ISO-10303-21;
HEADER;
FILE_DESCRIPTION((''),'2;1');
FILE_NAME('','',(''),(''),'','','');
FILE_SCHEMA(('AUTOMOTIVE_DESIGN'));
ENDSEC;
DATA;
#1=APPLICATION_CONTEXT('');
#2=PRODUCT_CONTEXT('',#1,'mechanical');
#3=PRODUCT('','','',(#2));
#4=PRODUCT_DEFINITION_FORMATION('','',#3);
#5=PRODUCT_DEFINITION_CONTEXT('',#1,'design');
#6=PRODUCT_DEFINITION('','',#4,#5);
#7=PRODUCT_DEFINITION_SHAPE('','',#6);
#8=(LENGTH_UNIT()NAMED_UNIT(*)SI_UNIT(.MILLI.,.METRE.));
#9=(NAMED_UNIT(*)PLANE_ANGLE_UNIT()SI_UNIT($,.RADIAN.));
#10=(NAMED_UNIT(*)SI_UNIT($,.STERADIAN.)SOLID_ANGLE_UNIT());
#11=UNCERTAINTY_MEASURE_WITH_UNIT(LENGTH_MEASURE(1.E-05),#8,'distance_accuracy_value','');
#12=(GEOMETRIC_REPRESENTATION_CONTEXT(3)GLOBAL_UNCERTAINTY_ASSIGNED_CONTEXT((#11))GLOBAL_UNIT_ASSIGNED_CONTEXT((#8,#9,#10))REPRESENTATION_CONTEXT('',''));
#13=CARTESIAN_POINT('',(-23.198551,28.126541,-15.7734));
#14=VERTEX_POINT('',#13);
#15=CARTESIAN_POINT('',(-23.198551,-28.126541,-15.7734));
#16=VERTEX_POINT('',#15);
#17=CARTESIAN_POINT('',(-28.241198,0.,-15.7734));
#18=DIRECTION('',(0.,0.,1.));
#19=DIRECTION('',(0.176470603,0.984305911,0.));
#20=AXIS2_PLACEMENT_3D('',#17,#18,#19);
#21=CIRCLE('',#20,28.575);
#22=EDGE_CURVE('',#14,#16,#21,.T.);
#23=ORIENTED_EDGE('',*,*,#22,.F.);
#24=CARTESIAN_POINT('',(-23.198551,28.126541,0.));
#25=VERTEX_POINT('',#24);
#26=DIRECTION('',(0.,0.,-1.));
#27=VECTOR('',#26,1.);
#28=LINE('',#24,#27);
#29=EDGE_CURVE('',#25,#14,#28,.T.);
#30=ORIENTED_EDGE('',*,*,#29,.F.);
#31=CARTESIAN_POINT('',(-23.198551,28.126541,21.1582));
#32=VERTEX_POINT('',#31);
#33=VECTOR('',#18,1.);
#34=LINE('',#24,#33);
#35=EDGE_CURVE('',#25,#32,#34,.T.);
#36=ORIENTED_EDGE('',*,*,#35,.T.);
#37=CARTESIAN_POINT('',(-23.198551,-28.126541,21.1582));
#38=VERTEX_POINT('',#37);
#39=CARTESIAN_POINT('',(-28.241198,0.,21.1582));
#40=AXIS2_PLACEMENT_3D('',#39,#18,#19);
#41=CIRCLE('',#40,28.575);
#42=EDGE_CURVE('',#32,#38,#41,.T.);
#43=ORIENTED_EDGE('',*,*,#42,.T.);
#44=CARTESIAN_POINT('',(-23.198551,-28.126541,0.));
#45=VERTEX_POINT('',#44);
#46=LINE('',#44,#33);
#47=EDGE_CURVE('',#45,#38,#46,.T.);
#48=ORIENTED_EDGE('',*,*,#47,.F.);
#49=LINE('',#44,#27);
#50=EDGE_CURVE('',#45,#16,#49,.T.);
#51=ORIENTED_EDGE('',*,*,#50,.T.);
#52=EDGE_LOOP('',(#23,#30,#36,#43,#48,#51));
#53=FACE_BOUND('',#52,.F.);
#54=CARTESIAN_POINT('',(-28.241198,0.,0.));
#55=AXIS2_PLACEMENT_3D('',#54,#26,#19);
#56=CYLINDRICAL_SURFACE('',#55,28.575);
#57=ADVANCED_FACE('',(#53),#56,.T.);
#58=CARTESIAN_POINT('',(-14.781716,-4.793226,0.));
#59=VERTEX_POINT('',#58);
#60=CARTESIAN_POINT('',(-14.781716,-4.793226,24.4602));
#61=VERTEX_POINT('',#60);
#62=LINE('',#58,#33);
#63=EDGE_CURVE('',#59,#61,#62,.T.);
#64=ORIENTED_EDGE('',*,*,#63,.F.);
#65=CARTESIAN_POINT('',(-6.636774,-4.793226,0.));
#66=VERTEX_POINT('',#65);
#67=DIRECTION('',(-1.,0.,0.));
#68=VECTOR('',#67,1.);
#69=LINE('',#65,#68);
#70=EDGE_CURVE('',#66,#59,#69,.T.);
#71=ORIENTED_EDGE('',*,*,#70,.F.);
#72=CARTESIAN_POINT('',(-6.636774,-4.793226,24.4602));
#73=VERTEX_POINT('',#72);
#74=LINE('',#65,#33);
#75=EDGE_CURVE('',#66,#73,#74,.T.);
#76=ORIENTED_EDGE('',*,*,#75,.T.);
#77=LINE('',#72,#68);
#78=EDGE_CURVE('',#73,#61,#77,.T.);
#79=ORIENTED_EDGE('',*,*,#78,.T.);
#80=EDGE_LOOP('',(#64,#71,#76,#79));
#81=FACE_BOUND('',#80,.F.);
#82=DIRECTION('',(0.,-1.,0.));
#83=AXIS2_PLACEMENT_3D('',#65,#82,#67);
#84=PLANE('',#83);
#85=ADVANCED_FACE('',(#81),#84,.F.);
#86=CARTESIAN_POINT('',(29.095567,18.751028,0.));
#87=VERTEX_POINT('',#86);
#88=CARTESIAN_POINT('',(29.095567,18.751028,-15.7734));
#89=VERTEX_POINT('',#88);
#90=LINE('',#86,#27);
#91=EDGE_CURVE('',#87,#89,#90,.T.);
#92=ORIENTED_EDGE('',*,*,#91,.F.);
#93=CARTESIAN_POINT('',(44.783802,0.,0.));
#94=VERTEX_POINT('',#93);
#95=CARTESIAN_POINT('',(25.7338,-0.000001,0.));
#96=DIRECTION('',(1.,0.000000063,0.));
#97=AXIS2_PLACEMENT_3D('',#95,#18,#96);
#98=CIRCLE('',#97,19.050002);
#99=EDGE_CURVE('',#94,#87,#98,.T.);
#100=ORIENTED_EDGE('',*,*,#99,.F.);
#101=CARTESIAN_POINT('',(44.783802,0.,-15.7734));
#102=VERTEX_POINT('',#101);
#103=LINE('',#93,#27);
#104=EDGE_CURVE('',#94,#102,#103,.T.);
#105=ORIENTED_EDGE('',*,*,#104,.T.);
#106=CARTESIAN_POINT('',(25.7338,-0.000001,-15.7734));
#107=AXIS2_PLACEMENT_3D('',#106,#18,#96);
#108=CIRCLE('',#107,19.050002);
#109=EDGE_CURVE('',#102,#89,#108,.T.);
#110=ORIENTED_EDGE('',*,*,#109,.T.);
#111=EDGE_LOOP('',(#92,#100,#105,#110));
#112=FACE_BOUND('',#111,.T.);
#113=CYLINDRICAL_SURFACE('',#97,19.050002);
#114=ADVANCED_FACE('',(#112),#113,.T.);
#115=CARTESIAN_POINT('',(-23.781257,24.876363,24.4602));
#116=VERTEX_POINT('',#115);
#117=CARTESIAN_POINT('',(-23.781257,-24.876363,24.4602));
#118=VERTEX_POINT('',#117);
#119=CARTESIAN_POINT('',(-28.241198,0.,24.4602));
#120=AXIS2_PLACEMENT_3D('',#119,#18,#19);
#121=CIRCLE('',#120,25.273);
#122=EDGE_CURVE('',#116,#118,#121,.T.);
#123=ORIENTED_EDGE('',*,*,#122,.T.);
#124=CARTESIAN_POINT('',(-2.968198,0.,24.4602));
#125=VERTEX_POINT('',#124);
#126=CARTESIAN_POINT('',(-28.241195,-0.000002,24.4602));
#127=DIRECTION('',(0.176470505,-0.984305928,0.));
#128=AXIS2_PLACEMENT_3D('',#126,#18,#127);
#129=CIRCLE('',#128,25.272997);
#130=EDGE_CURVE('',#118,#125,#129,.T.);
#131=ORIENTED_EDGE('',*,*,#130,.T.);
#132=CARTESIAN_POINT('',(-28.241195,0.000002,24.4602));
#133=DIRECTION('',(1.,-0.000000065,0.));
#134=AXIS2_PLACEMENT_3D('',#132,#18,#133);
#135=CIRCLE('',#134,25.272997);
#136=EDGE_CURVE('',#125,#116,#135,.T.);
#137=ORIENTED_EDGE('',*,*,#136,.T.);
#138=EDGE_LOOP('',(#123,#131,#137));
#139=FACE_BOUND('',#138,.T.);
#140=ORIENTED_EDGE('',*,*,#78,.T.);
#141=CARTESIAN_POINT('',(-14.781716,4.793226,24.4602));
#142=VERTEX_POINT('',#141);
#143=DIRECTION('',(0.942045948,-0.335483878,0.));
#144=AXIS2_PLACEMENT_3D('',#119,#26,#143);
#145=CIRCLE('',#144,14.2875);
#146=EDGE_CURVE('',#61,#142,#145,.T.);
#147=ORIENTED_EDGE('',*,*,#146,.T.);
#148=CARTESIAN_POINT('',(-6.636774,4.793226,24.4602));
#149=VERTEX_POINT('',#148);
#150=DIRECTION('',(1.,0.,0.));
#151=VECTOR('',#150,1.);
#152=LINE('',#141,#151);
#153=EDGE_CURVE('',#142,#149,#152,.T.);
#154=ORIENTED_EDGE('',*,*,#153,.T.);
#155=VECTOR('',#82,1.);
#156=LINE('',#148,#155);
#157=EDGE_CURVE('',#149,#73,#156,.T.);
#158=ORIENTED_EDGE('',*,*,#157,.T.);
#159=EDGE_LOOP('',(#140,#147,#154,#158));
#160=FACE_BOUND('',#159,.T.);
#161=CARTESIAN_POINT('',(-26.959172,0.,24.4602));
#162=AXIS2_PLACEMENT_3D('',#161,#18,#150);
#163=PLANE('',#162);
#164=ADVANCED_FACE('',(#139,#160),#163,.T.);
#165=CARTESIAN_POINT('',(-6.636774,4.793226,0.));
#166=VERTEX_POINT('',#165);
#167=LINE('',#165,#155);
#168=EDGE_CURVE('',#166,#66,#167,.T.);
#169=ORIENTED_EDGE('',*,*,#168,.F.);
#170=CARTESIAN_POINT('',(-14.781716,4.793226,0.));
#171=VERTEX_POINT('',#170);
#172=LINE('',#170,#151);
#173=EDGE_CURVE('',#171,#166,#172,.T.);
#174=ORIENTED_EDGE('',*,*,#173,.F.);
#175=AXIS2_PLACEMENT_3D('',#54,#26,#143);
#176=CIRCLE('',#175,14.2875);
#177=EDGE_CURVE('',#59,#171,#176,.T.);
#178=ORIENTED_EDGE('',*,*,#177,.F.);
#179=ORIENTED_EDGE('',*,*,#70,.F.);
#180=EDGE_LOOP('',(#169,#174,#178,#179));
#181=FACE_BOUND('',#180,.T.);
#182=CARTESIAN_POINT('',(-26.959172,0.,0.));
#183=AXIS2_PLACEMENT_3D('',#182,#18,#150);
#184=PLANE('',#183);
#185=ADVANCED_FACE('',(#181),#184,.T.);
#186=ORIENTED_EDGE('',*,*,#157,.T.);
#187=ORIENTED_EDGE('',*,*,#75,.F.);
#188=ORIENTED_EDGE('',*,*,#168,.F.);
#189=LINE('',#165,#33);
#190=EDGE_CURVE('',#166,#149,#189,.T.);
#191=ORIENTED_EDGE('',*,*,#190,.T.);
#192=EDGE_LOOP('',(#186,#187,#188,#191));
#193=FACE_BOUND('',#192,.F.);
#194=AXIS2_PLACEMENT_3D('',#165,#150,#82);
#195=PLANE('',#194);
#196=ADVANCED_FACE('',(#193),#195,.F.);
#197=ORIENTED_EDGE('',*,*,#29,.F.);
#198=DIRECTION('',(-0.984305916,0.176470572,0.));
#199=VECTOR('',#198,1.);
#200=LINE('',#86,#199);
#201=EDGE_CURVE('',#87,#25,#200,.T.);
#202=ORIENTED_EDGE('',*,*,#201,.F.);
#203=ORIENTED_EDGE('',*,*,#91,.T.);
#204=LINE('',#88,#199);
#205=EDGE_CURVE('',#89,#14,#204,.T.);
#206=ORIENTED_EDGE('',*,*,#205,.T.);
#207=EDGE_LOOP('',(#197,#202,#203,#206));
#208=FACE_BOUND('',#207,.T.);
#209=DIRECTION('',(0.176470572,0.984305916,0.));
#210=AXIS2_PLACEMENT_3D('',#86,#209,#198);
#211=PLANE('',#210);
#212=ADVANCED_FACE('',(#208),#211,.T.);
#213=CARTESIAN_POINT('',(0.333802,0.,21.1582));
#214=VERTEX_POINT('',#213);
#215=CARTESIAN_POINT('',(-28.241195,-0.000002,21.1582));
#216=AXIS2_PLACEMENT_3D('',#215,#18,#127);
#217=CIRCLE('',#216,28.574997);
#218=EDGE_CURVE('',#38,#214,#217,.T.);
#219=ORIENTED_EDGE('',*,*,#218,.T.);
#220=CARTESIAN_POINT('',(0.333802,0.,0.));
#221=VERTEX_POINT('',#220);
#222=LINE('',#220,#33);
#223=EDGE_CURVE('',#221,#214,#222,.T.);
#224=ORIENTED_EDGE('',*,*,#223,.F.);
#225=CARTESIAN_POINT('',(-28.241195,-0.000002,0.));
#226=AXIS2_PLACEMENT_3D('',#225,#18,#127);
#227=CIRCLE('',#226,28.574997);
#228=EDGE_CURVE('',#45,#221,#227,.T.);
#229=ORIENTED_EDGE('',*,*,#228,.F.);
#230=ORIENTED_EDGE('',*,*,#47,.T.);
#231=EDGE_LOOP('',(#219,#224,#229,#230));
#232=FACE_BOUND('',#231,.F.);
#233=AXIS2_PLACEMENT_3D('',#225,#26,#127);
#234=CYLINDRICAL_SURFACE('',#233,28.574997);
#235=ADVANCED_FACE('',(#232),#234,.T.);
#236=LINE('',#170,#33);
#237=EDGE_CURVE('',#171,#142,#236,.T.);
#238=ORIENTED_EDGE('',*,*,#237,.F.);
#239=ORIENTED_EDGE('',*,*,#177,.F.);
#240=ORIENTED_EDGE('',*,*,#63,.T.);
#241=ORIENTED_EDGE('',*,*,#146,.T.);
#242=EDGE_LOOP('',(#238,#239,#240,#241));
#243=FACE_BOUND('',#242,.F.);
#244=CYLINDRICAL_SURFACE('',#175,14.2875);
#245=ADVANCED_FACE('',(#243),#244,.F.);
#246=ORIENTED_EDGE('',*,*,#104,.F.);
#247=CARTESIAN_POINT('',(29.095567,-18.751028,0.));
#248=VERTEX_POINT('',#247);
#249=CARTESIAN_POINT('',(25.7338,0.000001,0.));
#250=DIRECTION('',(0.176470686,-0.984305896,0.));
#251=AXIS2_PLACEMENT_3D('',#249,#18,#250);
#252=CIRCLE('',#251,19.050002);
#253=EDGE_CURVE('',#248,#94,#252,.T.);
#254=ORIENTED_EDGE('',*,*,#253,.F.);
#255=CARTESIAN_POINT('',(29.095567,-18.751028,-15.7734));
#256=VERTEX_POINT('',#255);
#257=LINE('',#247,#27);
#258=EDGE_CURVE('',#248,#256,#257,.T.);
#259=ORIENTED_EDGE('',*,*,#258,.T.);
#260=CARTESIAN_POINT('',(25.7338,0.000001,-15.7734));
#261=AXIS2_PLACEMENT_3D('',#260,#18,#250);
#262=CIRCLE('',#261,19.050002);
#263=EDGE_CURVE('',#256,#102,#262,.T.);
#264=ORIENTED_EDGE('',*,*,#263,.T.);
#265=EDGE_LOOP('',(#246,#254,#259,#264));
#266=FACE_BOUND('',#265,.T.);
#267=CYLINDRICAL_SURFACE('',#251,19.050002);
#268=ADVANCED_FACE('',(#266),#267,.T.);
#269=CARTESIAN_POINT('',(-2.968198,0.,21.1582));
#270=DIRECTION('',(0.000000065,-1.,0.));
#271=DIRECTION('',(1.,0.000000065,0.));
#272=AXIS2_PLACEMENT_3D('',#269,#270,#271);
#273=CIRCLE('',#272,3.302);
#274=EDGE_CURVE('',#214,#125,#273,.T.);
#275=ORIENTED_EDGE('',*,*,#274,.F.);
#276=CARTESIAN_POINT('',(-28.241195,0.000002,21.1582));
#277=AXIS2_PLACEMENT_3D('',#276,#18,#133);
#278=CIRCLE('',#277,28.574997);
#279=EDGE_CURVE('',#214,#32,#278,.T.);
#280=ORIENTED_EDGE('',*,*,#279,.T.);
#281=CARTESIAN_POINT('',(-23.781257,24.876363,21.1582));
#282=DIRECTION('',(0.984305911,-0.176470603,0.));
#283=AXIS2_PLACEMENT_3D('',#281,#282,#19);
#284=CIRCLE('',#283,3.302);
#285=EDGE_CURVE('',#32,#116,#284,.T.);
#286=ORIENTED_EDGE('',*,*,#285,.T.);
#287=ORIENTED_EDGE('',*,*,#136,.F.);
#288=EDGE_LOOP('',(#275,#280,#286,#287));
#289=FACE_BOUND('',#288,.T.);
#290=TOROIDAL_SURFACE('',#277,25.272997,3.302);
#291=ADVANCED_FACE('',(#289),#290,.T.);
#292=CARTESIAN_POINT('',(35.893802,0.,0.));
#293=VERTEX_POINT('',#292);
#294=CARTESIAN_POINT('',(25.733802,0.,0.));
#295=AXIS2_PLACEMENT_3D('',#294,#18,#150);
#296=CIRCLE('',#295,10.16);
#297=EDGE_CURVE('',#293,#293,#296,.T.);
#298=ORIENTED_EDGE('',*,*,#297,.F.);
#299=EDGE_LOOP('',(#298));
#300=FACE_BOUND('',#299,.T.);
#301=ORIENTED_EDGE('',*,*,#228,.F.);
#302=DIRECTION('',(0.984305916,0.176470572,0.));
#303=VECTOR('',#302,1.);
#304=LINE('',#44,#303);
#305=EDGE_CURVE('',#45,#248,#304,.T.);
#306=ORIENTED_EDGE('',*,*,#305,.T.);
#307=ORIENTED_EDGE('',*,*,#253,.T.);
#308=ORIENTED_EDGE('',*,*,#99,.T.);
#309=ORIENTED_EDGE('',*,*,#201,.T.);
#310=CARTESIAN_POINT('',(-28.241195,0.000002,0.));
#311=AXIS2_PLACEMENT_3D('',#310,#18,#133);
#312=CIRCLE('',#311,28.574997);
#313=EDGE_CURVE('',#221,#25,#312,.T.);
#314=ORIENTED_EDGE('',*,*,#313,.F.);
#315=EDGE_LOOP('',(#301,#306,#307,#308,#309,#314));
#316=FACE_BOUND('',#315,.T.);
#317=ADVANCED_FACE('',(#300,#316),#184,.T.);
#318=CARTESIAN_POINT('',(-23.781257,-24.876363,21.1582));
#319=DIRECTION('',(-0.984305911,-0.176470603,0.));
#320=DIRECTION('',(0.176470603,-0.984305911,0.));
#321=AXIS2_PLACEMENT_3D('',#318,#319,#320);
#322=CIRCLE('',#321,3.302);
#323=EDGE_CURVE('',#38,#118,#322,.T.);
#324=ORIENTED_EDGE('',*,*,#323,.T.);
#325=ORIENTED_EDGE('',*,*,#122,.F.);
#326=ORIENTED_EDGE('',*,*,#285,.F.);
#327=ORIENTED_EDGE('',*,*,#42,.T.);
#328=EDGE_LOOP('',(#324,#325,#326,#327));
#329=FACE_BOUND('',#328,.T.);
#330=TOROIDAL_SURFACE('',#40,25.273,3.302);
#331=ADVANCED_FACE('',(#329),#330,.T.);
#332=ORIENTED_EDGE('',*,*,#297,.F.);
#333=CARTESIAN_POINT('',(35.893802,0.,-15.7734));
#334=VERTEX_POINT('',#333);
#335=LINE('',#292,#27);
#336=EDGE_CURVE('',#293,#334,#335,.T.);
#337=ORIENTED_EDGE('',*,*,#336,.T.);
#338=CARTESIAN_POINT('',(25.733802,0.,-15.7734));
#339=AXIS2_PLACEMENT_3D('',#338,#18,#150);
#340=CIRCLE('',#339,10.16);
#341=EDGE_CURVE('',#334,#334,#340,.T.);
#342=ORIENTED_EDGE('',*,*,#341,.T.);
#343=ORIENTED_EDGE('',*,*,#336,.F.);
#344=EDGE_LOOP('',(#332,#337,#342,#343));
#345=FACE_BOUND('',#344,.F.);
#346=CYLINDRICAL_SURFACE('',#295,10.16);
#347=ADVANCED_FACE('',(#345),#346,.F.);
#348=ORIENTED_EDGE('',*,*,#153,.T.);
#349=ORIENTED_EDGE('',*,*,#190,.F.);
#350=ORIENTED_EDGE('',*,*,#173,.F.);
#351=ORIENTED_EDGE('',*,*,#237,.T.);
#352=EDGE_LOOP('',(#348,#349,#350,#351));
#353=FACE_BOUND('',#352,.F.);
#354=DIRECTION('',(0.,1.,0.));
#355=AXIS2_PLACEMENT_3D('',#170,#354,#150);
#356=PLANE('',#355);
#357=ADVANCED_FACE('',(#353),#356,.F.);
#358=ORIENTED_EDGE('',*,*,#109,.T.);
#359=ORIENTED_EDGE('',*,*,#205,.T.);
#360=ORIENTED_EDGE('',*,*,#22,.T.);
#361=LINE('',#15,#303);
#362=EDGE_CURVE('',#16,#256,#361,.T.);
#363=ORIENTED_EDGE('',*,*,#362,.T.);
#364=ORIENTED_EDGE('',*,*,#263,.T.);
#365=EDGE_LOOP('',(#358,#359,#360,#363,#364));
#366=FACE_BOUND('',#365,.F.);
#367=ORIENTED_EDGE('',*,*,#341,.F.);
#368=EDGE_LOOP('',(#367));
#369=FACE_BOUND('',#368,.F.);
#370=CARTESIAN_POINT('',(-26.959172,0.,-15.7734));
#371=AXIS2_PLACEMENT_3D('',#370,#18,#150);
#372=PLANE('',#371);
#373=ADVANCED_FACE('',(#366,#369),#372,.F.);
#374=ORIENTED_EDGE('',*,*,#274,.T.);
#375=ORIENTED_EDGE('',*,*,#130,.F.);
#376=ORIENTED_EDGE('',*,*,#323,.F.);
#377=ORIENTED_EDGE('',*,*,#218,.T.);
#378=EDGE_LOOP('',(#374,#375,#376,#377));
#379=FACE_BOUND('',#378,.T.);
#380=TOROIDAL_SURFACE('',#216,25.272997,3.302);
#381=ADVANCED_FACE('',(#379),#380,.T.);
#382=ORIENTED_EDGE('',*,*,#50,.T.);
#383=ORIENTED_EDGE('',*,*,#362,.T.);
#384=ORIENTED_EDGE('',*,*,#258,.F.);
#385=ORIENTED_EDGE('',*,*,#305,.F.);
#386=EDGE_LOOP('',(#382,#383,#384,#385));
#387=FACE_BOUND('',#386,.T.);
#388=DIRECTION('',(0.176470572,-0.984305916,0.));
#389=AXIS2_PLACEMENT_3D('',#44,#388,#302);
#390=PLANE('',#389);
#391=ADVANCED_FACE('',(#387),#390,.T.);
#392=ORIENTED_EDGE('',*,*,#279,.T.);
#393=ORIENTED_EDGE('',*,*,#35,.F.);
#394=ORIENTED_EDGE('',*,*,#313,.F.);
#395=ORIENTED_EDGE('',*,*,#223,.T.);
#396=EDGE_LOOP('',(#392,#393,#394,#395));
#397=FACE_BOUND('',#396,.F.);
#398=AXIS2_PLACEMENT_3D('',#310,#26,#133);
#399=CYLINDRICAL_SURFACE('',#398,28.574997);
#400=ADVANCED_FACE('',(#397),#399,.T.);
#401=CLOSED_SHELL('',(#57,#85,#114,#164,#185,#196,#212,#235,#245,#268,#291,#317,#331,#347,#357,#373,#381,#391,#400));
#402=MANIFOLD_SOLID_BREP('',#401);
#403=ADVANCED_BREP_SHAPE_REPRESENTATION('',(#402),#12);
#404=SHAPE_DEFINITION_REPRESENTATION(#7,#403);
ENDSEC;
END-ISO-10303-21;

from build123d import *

# Parameters (mm, degrees)
F0_R     = 10.16
F1_DEPTH = 15.7734
F2_DEPTH = 24.4602
F3_R     = 3.302


with BuildPart() as f1:
    # F0 (on Top) → F1 (new body)
    with BuildSketch(Plane.XY):
        with BuildLine():
            ThreePointArc((-23.198551, -28.126541), (-6.325173, -18.336262), (0.333802, 0))
            ThreePointArc((0.333802, 0), (-6.325173, 18.336262), (-23.198551, 28.126541))
            ThreePointArc((-23.198551, 28.126541), (-56.816198, 0), (-23.198551, -28.126541))
        make_face()
        with BuildLine():
            ThreePointArc((-14.781716, -4.793226), (-42.528698, 0), (-14.781716, 4.793226))
            Line((-14.781716, 4.793226), (-6.636774, 4.793226))
            Line((-6.636774, 4.793226), (-6.636774, -4.793226))
            Line((-6.636774, -4.793226), (-14.781716, -4.793226))
        make_face(mode=Mode.SUBTRACT)
        with BuildLine():
            ThreePointArc((-23.198551, 28.126541), (-6.325173, 18.336262), (0.333802, 0))
            ThreePointArc((0.333802, 0), (-6.325173, -18.336262), (-23.198551, -28.126541))
            Line((-23.198551, -28.126541), (29.095567, -18.751028))
            ThreePointArc((29.095567, -18.751028), (6.683802, 0), (29.095567, 18.751028))
            Line((29.095567, 18.751028), (-23.198551, 28.126541))
        make_face()
        with BuildLine():
            ThreePointArc((44.783802, 0), (40.344485, 12.224174), (29.095567, 18.751028))
            ThreePointArc((29.095567, 18.751028), (6.683802, 0), (29.095567, -18.751028))
            ThreePointArc((29.095567, -18.751028), (40.344485, -12.224174), (44.783802, 0))
        make_face()
        with Locations((25.733802, 0)):
            Circle(F0_R, mode=Mode.SUBTRACT)
        with BuildLine():
            Line((-6.636774, 4.793226), (-14.781716, 4.793226))
            ThreePointArc((-14.781716, 4.793226), (-42.528698, 0), (-14.781716, -4.793226))
            Line((-14.781716, -4.793226), (-6.636774, -4.793226))
            Line((-6.636774, -4.793226), (-6.636774, 4.793226))
        make_face()
    extrude(amount=-F1_DEPTH)

    # F0 (on Top) → F2 (join)
    with BuildSketch(Plane.XY):
        with BuildLine():
            ThreePointArc((-23.198551, -28.126541), (-6.325173, -18.336262), (0.333802, 0))
            ThreePointArc((0.333802, 0), (-6.325173, 18.336262), (-23.198551, 28.126541))
            ThreePointArc((-23.198551, 28.126541), (-56.816198, 0), (-23.198551, -28.126541))
        make_face()
        with BuildLine():
            ThreePointArc((-14.781716, -4.793226), (-42.528698, 0), (-14.781716, 4.793226))
            Line((-14.781716, 4.793226), (-6.636774, 4.793226))
            Line((-6.636774, 4.793226), (-6.636774, -4.793226))
            Line((-6.636774, -4.793226), (-14.781716, -4.793226))
        make_face(mode=Mode.SUBTRACT)
    extrude(amount=F2_DEPTH)

    # F3
    f3_edges = [f1.edges().sort_by_distance(p)[0] for p in [
        (-33.283845, 28.126541, 24.4602),
    ]]
    fillet(f3_edges, radius=F3_R)


solid = f1.part
